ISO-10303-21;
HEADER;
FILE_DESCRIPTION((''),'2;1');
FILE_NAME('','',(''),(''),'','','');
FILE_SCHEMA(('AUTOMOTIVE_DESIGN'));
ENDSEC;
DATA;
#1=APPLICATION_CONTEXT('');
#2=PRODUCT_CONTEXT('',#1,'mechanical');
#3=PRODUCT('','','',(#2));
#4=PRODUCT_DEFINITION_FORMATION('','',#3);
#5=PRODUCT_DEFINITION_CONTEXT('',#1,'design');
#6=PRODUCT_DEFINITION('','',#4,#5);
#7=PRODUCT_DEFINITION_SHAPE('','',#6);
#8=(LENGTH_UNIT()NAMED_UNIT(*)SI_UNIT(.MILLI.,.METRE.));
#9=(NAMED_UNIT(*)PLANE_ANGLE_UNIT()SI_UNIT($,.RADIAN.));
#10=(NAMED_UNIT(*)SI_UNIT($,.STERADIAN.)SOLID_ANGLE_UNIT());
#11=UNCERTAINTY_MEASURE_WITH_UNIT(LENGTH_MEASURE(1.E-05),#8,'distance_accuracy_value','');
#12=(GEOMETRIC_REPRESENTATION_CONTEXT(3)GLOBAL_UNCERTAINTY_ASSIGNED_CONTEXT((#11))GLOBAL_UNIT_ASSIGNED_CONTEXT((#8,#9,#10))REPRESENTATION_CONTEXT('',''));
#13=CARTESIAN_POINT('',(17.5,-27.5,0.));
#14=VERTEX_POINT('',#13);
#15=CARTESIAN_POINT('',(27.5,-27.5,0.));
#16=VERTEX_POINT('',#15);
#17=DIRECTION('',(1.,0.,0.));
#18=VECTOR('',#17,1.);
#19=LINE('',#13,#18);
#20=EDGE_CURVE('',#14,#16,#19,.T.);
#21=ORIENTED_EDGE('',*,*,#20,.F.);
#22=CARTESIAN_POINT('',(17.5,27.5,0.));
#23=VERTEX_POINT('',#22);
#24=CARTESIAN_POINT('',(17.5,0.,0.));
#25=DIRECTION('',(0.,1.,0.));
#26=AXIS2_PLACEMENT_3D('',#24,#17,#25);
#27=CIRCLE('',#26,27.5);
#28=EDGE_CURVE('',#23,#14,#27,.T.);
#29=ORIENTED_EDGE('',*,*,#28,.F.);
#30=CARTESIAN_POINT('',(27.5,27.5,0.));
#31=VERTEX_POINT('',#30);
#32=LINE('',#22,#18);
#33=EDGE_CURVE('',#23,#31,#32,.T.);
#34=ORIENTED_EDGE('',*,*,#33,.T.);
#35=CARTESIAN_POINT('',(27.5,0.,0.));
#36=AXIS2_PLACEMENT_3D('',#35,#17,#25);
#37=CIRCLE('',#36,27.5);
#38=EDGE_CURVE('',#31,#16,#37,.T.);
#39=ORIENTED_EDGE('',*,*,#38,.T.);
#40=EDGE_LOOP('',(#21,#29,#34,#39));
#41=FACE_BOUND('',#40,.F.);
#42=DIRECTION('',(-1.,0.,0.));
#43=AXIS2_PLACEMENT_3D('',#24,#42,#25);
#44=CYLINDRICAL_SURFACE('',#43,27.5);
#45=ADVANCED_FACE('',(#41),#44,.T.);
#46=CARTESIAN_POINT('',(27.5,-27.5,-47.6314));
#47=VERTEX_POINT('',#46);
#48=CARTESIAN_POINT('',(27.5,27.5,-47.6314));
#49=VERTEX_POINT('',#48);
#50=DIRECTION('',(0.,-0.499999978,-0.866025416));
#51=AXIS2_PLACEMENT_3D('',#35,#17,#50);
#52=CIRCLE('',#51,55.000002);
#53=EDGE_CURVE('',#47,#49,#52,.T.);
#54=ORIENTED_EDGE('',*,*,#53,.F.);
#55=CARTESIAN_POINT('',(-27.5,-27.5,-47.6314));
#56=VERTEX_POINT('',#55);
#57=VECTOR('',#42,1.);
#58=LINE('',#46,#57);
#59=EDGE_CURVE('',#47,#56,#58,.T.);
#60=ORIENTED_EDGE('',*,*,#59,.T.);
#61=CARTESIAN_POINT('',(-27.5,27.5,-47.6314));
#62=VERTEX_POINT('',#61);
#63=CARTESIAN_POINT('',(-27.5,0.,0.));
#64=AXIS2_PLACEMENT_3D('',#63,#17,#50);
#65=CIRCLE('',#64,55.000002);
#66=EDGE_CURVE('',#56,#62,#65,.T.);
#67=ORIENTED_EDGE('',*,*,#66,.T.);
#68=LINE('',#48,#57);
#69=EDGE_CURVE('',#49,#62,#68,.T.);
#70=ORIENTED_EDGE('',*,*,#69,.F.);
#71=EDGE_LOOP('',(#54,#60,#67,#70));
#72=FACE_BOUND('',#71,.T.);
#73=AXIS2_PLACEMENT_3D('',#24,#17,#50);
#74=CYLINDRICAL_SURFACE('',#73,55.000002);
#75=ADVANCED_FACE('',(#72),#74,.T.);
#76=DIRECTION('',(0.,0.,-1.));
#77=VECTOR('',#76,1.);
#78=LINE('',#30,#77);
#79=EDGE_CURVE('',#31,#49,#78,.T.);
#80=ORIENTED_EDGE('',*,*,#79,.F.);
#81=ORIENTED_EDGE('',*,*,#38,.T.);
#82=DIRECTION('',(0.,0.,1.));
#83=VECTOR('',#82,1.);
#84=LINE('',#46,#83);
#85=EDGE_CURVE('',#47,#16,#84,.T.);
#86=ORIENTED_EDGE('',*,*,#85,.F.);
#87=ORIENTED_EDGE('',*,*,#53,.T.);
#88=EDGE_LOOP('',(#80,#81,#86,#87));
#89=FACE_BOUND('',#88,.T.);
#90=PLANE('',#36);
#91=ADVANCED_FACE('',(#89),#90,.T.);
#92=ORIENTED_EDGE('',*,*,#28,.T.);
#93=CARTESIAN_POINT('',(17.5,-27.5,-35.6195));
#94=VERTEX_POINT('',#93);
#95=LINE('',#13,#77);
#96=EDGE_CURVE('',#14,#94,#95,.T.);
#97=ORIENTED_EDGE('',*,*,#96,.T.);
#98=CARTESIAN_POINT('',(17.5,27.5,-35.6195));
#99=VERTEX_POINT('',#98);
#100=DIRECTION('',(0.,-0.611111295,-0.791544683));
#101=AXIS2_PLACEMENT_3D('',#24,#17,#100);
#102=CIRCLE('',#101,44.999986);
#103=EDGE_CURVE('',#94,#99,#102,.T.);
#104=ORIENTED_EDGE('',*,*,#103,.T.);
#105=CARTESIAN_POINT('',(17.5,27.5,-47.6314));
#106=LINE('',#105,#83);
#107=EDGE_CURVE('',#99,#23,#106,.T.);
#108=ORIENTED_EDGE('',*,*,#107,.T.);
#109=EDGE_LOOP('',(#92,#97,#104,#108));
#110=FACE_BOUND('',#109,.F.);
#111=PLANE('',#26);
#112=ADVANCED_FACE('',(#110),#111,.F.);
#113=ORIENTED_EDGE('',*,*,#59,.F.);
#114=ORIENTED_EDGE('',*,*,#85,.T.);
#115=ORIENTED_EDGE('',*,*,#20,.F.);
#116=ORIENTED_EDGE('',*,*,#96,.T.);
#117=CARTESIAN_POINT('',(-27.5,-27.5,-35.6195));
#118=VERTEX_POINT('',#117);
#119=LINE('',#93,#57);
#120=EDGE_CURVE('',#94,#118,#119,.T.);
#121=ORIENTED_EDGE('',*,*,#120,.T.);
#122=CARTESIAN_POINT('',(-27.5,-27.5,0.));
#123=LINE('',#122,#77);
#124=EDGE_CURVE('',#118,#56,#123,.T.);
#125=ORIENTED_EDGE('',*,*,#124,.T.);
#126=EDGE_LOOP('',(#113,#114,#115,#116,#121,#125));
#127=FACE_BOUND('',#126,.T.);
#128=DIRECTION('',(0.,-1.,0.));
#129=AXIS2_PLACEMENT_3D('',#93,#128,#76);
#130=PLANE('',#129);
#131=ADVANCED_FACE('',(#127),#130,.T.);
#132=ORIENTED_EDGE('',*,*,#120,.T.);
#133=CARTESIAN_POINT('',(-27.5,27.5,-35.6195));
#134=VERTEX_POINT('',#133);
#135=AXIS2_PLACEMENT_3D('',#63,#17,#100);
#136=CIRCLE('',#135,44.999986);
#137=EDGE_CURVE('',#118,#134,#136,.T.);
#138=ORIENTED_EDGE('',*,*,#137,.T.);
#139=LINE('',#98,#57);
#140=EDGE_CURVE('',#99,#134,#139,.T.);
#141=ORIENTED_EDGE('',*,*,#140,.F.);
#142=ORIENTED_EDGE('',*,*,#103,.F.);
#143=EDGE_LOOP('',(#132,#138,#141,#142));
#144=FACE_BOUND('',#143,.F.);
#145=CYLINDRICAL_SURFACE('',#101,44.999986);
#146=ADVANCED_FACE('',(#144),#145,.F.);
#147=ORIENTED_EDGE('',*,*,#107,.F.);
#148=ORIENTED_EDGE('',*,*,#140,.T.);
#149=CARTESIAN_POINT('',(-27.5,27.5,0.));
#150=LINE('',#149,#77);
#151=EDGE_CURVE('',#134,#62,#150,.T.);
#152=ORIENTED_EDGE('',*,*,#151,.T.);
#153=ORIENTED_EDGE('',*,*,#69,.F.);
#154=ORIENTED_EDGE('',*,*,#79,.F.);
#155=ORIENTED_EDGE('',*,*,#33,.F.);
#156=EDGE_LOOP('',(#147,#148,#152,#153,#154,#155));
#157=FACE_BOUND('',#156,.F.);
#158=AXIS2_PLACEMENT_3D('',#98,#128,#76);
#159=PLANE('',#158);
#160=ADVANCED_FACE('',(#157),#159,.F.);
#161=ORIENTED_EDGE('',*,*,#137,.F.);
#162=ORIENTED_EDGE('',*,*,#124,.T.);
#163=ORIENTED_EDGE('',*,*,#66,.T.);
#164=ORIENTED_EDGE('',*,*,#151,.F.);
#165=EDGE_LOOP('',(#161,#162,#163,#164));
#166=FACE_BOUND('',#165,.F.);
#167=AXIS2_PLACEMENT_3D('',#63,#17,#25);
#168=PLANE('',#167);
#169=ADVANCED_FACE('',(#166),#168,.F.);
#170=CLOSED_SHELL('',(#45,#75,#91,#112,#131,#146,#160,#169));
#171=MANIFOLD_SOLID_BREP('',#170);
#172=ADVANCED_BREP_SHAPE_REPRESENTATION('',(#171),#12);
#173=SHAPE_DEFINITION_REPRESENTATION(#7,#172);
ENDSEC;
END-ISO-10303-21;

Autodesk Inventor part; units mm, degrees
ref_plane "XZ Plane" through (0, 0, 0) normal (0, 1, 0) x (-1, 0, 0)
ref_plane "XY Plane" through (0, 0, 0) normal (0, 0, 1) x (1, 0, 0)
ref_plane "Work Plane2" through (17.5, 0, 0) normal (1, 0, 0) x (0, 1, 0)
sketch "Sketch1" plane through (0, 0, 0) normal (1, 0, 0) x (0, 1, 0)
  circle A0 centre (0, 0) radius 27.5
  line L0 (-27.5, 0) -> (-27.5, -47.6314)
  line L1 (27.5, 0) -> (27.5, -47.6314)
  arc A1 (-27.5, -35.6195) -> (27.5, -35.6195) centre (0, 0) ccw
  arc A2 (-27.5, -47.6314) -> (27.5, -47.6314) centre (0, 0) ccw
  dimension "d0" = 55
  dimension "d10" = 90
  dimension "d11" = 110
extrude "Extrusion1" add sketch "Sketch1" along normal blind 10 from surface at 17.5
extrude "Extrusion2" add sketch "Sketch1" against normal blind 45 from surface at 17.5 contours L1 A2 L0 A1
properties part number "shank_board"
